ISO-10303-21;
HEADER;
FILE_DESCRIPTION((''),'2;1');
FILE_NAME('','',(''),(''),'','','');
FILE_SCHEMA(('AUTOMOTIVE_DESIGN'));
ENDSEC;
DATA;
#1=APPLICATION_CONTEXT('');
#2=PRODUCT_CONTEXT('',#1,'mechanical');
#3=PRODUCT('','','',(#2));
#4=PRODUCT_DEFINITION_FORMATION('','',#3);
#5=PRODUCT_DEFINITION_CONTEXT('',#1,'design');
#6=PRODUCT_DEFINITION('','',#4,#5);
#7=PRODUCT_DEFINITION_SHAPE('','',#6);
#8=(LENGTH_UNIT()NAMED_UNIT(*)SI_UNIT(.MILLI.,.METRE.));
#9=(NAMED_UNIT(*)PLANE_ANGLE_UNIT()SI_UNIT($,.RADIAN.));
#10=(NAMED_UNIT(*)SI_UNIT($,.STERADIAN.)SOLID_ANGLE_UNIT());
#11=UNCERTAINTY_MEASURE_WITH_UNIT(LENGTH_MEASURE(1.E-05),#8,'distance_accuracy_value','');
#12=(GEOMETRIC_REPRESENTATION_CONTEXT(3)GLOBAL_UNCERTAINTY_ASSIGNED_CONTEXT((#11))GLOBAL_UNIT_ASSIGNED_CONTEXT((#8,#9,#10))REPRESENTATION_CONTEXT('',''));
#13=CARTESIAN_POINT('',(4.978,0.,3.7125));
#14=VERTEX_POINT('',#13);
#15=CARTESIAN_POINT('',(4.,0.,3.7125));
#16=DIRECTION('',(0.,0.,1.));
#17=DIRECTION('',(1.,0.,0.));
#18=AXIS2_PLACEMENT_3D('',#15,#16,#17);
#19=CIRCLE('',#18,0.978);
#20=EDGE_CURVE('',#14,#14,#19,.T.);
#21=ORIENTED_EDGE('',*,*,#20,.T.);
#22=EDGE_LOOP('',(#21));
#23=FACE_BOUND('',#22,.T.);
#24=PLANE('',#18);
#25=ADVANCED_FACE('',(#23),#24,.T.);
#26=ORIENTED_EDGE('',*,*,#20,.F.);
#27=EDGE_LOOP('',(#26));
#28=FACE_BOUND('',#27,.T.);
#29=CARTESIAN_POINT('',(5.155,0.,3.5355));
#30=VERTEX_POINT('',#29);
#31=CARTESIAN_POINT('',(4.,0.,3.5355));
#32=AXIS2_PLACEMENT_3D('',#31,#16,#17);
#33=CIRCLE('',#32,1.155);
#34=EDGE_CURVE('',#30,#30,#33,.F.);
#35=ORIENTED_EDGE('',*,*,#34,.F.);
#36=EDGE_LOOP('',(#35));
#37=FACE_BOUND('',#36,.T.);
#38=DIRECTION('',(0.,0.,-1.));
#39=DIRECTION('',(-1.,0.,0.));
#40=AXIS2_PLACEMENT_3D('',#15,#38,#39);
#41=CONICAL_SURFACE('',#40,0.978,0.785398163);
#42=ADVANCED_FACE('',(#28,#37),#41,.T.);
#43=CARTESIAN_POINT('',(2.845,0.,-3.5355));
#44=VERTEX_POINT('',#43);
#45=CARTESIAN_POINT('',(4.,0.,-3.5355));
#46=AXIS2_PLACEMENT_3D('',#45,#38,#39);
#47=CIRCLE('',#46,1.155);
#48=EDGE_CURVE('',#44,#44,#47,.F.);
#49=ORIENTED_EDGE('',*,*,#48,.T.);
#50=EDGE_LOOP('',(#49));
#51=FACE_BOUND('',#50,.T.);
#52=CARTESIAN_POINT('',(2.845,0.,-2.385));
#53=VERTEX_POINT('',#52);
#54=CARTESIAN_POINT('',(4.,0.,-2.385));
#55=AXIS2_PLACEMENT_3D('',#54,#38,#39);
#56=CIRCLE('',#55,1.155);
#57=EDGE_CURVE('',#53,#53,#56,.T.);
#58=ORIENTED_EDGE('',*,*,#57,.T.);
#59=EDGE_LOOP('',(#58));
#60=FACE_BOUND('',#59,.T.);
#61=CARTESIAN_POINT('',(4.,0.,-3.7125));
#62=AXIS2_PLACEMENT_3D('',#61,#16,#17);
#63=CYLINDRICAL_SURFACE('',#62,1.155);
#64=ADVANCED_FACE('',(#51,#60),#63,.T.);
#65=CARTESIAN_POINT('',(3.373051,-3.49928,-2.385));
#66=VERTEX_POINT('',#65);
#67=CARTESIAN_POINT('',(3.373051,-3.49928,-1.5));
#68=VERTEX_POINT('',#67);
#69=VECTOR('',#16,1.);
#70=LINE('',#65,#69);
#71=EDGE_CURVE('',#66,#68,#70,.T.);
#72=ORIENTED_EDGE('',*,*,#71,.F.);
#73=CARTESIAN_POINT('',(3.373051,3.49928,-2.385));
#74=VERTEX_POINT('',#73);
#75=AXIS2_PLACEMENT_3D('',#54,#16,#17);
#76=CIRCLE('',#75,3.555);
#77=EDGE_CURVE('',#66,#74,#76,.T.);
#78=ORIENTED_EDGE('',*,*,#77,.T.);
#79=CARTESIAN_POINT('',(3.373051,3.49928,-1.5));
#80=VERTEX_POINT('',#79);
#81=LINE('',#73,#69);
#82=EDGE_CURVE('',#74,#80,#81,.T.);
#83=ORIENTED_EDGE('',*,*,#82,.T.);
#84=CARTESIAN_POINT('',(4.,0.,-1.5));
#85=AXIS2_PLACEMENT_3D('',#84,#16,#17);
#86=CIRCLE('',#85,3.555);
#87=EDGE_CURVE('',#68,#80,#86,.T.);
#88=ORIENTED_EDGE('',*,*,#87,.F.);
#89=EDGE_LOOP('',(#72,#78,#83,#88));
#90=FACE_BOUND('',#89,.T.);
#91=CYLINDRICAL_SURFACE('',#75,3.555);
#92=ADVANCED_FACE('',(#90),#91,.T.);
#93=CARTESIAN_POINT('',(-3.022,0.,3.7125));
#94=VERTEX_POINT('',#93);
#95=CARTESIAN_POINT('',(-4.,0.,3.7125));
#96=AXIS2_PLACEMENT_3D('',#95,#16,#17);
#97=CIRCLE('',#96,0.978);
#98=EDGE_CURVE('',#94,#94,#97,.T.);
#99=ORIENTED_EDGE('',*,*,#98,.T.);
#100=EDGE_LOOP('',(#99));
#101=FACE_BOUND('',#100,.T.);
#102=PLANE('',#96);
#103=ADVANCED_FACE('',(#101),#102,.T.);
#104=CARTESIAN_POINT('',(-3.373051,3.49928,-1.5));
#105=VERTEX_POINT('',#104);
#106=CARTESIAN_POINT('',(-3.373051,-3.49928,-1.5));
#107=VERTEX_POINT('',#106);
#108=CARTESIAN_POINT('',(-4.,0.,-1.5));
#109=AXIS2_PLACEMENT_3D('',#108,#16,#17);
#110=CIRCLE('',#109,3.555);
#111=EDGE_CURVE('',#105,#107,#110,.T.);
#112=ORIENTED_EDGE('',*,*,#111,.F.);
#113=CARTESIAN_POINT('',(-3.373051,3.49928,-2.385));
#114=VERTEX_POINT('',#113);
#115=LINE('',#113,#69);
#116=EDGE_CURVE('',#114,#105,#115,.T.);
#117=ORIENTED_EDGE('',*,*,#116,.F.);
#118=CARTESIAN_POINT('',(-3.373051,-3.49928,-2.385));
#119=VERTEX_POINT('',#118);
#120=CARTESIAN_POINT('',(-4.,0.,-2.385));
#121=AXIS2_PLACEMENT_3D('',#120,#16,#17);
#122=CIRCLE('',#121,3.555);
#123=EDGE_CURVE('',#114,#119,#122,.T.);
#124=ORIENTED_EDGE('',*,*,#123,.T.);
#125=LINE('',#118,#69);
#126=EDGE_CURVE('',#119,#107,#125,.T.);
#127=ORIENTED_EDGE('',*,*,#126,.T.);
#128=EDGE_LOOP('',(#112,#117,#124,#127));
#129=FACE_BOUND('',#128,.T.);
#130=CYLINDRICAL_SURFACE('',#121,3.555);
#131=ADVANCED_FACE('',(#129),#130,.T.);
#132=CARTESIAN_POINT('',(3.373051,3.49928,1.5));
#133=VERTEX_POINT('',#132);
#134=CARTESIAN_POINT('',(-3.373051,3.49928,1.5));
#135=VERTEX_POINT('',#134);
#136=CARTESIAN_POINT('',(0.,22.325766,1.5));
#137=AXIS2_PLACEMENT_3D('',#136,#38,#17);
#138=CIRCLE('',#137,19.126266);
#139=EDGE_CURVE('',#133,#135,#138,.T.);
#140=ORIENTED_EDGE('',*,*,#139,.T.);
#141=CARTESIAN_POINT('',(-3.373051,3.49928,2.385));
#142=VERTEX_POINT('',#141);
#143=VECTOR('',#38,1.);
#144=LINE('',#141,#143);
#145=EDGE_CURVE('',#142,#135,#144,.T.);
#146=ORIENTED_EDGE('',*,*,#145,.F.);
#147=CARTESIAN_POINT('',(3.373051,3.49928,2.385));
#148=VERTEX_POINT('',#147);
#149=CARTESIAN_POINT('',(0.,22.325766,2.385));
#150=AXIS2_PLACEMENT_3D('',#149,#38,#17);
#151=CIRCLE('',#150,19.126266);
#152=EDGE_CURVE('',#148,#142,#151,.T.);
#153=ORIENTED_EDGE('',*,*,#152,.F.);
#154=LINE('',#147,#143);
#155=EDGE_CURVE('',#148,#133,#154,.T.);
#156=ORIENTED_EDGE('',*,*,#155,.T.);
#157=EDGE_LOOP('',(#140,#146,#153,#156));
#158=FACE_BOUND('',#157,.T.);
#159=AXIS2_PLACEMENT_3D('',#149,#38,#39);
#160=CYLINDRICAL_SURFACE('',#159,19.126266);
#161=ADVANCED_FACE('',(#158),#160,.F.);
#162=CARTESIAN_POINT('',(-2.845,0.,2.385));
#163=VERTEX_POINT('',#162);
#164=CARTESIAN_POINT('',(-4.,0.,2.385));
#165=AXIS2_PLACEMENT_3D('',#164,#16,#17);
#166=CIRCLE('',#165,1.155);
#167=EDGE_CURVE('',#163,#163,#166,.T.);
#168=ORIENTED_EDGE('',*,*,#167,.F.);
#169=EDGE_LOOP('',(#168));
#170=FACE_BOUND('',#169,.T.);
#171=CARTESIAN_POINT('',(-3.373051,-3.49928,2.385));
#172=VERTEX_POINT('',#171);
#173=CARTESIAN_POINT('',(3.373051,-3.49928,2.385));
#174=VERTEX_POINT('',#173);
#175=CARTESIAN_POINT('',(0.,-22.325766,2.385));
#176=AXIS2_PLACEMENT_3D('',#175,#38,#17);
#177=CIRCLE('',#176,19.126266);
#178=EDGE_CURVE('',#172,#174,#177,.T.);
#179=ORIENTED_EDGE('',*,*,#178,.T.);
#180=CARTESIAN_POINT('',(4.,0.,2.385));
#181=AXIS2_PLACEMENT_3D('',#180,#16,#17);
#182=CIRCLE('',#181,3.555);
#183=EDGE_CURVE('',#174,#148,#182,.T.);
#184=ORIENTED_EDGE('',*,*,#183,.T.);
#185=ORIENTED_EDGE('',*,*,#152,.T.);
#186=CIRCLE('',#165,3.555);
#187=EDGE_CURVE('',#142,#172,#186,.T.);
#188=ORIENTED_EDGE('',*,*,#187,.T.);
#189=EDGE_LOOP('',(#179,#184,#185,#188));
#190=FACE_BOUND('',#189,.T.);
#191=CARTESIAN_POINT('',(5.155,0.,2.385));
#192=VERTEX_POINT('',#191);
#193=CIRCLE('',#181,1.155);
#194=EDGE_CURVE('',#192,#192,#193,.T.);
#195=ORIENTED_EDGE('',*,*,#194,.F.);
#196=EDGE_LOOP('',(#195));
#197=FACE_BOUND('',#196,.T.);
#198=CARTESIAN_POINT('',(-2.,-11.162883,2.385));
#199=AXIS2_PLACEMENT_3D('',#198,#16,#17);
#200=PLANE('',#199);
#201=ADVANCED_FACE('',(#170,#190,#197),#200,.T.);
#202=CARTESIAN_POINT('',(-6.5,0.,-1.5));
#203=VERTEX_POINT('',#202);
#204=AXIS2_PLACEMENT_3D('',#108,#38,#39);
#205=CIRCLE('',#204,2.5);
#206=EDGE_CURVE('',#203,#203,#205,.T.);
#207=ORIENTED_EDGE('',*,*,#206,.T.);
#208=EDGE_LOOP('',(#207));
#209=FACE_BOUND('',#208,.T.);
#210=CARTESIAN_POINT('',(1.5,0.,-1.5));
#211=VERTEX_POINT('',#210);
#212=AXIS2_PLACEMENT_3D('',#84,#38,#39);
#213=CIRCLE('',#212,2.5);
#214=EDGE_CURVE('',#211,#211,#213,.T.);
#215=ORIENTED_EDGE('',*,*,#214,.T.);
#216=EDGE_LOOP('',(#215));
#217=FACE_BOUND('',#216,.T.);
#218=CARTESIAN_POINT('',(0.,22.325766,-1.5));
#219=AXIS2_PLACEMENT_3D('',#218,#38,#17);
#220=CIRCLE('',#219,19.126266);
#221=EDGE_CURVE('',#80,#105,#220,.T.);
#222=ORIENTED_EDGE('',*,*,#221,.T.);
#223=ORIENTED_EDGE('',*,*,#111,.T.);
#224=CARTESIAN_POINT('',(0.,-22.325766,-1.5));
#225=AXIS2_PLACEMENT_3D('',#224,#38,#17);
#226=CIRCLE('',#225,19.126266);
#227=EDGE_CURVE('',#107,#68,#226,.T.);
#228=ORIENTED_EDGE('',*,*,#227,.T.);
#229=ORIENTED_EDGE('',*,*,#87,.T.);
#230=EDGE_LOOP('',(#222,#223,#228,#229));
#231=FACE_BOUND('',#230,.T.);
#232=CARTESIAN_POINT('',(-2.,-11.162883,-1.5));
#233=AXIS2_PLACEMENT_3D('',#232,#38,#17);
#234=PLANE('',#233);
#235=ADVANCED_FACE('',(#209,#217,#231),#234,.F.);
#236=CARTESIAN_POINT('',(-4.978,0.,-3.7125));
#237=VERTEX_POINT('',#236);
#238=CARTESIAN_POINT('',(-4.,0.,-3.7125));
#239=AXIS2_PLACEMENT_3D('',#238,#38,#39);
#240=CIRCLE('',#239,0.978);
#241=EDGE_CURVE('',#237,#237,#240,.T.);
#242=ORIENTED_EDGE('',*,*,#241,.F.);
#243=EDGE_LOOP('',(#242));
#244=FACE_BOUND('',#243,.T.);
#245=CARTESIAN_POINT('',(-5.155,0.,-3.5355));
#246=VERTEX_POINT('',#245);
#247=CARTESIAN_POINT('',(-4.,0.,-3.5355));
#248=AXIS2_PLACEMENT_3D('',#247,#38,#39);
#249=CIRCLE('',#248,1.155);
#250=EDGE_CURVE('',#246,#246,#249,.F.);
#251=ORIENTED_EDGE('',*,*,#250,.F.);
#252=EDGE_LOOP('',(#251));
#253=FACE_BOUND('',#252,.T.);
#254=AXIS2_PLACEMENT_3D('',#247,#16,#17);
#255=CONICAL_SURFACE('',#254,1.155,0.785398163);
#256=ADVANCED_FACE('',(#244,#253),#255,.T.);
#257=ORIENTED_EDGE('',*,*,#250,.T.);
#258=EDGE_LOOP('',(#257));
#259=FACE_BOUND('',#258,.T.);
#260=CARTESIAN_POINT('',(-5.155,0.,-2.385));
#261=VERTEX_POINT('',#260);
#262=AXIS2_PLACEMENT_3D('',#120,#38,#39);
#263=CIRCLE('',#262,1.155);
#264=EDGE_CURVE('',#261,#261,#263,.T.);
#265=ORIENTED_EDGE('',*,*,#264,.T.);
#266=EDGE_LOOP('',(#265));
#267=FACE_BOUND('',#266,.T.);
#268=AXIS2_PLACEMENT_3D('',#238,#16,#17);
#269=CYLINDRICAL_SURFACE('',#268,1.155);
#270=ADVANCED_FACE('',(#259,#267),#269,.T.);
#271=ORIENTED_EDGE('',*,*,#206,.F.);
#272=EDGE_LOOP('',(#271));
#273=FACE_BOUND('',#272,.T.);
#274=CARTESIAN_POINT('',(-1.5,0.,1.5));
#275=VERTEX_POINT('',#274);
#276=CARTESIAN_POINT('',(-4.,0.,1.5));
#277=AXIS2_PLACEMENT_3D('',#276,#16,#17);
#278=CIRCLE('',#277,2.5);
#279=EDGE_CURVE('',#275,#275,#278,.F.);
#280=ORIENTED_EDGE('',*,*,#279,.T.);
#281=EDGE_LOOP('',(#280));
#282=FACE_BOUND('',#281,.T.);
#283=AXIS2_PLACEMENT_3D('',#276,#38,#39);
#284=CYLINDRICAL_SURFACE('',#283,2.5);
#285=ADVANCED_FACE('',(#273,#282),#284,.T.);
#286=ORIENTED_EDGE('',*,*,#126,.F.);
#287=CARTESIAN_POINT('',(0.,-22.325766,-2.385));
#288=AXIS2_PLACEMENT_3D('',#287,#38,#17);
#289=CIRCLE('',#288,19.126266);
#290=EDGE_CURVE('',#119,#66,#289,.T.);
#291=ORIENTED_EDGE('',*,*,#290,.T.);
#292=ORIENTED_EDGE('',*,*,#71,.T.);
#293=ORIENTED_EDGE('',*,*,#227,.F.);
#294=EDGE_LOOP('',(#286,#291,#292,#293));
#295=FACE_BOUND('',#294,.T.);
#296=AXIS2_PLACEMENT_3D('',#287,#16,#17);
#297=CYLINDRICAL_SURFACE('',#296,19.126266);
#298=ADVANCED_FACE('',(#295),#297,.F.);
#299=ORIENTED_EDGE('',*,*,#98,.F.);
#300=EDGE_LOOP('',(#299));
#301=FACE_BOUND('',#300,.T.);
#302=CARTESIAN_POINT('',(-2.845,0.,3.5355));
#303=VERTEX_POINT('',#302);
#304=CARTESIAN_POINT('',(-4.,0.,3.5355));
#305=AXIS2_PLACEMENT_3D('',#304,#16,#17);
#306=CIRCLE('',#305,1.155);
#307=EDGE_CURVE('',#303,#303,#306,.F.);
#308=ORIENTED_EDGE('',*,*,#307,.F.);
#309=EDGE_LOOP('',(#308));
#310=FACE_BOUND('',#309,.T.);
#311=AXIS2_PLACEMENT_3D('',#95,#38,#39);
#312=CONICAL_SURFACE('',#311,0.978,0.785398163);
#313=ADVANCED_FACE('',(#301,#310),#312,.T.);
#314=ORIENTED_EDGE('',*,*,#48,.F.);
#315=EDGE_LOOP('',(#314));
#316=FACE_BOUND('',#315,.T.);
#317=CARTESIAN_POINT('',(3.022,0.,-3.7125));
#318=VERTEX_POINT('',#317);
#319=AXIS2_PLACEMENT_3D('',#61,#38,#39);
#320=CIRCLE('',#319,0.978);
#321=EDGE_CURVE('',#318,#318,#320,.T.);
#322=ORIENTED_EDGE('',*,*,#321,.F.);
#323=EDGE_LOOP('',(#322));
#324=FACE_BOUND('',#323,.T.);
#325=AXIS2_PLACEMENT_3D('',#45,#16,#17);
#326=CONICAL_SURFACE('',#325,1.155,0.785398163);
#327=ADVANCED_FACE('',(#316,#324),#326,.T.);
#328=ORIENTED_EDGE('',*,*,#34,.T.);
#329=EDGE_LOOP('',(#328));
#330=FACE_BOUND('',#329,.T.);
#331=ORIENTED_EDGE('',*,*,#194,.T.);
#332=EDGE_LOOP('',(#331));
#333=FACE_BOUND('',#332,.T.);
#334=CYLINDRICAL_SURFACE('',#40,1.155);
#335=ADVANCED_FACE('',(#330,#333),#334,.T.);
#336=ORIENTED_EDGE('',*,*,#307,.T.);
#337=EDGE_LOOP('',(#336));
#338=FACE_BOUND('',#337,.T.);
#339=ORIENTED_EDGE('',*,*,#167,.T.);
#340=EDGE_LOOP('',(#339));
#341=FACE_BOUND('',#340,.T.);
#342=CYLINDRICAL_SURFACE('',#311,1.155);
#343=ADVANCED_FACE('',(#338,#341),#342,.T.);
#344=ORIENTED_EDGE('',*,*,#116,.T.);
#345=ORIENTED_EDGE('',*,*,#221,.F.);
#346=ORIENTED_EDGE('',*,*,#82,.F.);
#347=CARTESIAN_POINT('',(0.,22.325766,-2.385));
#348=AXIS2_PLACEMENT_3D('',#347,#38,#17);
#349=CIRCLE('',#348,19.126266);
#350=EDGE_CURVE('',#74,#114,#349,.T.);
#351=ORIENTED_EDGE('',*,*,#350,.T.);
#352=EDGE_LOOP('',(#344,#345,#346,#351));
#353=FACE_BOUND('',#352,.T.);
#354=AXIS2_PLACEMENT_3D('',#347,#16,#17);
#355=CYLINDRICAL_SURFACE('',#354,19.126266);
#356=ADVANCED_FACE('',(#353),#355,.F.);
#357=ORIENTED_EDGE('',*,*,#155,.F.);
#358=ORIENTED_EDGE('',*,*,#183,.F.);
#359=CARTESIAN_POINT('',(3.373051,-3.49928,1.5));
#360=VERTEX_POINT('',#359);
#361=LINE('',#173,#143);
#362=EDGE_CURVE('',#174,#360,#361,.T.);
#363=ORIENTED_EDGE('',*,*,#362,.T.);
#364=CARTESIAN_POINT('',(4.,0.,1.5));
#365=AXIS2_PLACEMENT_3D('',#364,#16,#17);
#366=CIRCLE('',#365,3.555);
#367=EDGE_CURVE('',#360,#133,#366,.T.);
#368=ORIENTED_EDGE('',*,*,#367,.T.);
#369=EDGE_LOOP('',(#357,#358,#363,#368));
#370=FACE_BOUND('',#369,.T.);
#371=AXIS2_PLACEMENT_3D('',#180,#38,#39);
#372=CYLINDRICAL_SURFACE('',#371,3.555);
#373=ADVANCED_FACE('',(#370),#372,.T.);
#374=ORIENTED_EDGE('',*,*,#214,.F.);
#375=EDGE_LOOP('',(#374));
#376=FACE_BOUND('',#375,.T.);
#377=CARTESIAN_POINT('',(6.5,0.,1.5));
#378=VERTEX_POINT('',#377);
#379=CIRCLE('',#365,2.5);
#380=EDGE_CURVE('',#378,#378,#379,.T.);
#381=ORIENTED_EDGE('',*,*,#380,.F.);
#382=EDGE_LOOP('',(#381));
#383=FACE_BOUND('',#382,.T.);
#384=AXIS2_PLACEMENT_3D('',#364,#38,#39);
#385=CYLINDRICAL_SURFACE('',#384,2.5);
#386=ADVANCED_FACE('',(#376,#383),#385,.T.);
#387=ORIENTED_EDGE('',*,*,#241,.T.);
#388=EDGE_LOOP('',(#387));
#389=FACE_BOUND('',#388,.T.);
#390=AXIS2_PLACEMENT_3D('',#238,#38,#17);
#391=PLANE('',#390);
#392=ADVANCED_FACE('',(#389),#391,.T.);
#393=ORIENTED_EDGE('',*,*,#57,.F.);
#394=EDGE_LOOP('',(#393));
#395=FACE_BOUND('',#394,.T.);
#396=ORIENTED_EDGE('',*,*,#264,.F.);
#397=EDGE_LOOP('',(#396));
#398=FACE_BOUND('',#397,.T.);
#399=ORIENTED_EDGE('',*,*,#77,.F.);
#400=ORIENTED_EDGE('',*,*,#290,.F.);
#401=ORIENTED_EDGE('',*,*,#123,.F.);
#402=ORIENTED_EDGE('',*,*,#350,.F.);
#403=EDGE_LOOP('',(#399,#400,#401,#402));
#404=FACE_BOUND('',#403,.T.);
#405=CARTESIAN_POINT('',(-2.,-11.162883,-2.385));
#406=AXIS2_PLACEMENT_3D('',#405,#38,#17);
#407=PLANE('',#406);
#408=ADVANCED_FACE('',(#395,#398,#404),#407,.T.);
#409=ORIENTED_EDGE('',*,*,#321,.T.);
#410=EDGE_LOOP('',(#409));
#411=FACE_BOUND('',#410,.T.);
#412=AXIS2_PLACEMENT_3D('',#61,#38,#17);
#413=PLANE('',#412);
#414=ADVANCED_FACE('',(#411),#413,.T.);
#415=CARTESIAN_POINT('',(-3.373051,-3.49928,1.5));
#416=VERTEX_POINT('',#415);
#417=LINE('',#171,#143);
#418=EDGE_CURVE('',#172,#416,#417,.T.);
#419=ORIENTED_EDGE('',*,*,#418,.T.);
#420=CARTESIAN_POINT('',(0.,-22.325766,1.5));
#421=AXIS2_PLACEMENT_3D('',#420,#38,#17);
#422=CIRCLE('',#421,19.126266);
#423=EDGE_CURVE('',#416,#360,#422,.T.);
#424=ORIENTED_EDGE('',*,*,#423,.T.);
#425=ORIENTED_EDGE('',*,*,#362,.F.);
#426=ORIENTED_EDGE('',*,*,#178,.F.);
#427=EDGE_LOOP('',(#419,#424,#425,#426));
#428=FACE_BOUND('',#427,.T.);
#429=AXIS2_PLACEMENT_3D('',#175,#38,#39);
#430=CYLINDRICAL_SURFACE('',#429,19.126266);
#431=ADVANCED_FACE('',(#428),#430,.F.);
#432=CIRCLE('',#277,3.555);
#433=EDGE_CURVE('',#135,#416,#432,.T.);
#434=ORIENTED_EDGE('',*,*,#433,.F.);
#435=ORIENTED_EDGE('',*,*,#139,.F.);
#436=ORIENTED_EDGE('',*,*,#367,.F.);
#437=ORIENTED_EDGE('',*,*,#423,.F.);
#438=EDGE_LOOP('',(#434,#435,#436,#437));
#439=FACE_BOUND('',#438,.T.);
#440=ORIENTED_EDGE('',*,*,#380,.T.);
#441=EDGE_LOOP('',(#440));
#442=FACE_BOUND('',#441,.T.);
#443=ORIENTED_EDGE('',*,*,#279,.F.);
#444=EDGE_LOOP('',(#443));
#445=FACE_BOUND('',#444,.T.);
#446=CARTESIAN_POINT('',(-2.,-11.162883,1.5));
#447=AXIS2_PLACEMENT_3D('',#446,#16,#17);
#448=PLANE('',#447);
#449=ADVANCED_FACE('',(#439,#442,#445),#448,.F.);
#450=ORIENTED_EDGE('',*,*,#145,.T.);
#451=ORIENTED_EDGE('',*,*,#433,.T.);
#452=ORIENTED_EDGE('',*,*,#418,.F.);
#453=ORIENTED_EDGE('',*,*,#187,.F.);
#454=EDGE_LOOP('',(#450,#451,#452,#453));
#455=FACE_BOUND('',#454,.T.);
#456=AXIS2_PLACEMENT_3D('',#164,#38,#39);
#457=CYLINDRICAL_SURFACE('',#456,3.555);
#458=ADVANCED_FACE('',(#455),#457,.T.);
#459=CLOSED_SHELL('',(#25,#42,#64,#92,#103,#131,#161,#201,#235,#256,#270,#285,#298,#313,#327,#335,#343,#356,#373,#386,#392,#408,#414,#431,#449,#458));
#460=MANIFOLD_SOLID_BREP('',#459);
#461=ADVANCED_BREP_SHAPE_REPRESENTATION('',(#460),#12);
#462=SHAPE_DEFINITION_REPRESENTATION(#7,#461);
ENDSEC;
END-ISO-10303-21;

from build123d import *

# Parameters (mm, degrees)
SKETCH_2_R                 = 2.5
EXTRUDE_1_DEPTH            = 1.5
EXTRUDE_1_2_DEPTH          = 1.5
EXTRUDE_2_DEPTH            = 0.885
SKETCH_4_R                 = 1.155
EXTRUDE_3_DEPTH            = 1.3275
CHAMFER_1_SIZE             = 0.177
CHAMFER_1_OF_MIRROR_1_SIZE = 0.177


with BuildPart() as part:
    # 草图2 → 拉伸1 (new, symmetric)
    with BuildSketch(Plane.XY):
        with Locations((4, 0)):
            Circle(SKETCH_2_R)
    extrude(amount=EXTRUDE_1_DEPTH, both=True)



with BuildPart() as body_2:
    # 草图2 → Extrude 1 2 (new, symmetric)
    with BuildSketch(Plane.XY):
        with Locations((-4, 0)):
            Circle(SKETCH_2_R)
    extrude(amount=EXTRUDE_1_2_DEPTH, both=True)


with BuildPart() as part_1:
    add(part.part)

    add(body_2.part)  # 拉伸2 merges body 2
    # 草图3 → 拉伸2 (add)
    with BuildSketch(Plane.XY.offset(1.5)):
        with BuildLine():
            ThreePointArc((-3.373050874, 3.499279896), (-7.555, 0), (-3.373050874, -3.499279896))
            ThreePointArc((-3.373050874, -3.499279896), (0, -3.1995), (3.373050874, -3.499279896))
            ThreePointArc((3.373050874, -3.499279896), (7.555, 0), (3.373050874, 3.499279896))
            ThreePointArc((3.373050874, 3.499279896), (0, 3.1995), (-3.373050874, 3.499279896))
        make_face()
    extrude_2 = extrude(amount=EXTRUDE_2_DEPTH)

    # 草图4 → 拉伸3 (add)
    with BuildSketch(Plane.XY.offset(2.385)):
        with Locations((4, 0)):
            Circle(SKETCH_4_R)
        with Locations((-4, 0)):
            Circle(SKETCH_4_R)
    extrude_3 = extrude(amount=EXTRUDE_3_DEPTH)

    # 倒角1
    chamfer_1_edges = [part_1.edges().sort_by_distance(p)[0] for p in [
        (2.845, 0, 3.7125),
        (-5.155, 0, 3.7125),
    ]]
    chamfer(chamfer_1_edges, length=CHAMFER_1_SIZE)

    # 镜向1: 拉伸2, 拉伸3 across plane
    add(extrude_2.mirror(Plane.XY))
    add(extrude_3.mirror(Plane.XY))

    # 倒角1 of 镜向1
    chamfer_1_of_mirror_1_edges = [part_1.edges().sort_by_distance(p)[0] for p in [
        (2.845, 0, -3.7125),
        (-5.155, 0, -3.7125),
    ]]
    chamfer(chamfer_1_of_mirror_1_edges, length=CHAMFER_1_OF_MIRROR_1_SIZE)


solid = part_1.part
